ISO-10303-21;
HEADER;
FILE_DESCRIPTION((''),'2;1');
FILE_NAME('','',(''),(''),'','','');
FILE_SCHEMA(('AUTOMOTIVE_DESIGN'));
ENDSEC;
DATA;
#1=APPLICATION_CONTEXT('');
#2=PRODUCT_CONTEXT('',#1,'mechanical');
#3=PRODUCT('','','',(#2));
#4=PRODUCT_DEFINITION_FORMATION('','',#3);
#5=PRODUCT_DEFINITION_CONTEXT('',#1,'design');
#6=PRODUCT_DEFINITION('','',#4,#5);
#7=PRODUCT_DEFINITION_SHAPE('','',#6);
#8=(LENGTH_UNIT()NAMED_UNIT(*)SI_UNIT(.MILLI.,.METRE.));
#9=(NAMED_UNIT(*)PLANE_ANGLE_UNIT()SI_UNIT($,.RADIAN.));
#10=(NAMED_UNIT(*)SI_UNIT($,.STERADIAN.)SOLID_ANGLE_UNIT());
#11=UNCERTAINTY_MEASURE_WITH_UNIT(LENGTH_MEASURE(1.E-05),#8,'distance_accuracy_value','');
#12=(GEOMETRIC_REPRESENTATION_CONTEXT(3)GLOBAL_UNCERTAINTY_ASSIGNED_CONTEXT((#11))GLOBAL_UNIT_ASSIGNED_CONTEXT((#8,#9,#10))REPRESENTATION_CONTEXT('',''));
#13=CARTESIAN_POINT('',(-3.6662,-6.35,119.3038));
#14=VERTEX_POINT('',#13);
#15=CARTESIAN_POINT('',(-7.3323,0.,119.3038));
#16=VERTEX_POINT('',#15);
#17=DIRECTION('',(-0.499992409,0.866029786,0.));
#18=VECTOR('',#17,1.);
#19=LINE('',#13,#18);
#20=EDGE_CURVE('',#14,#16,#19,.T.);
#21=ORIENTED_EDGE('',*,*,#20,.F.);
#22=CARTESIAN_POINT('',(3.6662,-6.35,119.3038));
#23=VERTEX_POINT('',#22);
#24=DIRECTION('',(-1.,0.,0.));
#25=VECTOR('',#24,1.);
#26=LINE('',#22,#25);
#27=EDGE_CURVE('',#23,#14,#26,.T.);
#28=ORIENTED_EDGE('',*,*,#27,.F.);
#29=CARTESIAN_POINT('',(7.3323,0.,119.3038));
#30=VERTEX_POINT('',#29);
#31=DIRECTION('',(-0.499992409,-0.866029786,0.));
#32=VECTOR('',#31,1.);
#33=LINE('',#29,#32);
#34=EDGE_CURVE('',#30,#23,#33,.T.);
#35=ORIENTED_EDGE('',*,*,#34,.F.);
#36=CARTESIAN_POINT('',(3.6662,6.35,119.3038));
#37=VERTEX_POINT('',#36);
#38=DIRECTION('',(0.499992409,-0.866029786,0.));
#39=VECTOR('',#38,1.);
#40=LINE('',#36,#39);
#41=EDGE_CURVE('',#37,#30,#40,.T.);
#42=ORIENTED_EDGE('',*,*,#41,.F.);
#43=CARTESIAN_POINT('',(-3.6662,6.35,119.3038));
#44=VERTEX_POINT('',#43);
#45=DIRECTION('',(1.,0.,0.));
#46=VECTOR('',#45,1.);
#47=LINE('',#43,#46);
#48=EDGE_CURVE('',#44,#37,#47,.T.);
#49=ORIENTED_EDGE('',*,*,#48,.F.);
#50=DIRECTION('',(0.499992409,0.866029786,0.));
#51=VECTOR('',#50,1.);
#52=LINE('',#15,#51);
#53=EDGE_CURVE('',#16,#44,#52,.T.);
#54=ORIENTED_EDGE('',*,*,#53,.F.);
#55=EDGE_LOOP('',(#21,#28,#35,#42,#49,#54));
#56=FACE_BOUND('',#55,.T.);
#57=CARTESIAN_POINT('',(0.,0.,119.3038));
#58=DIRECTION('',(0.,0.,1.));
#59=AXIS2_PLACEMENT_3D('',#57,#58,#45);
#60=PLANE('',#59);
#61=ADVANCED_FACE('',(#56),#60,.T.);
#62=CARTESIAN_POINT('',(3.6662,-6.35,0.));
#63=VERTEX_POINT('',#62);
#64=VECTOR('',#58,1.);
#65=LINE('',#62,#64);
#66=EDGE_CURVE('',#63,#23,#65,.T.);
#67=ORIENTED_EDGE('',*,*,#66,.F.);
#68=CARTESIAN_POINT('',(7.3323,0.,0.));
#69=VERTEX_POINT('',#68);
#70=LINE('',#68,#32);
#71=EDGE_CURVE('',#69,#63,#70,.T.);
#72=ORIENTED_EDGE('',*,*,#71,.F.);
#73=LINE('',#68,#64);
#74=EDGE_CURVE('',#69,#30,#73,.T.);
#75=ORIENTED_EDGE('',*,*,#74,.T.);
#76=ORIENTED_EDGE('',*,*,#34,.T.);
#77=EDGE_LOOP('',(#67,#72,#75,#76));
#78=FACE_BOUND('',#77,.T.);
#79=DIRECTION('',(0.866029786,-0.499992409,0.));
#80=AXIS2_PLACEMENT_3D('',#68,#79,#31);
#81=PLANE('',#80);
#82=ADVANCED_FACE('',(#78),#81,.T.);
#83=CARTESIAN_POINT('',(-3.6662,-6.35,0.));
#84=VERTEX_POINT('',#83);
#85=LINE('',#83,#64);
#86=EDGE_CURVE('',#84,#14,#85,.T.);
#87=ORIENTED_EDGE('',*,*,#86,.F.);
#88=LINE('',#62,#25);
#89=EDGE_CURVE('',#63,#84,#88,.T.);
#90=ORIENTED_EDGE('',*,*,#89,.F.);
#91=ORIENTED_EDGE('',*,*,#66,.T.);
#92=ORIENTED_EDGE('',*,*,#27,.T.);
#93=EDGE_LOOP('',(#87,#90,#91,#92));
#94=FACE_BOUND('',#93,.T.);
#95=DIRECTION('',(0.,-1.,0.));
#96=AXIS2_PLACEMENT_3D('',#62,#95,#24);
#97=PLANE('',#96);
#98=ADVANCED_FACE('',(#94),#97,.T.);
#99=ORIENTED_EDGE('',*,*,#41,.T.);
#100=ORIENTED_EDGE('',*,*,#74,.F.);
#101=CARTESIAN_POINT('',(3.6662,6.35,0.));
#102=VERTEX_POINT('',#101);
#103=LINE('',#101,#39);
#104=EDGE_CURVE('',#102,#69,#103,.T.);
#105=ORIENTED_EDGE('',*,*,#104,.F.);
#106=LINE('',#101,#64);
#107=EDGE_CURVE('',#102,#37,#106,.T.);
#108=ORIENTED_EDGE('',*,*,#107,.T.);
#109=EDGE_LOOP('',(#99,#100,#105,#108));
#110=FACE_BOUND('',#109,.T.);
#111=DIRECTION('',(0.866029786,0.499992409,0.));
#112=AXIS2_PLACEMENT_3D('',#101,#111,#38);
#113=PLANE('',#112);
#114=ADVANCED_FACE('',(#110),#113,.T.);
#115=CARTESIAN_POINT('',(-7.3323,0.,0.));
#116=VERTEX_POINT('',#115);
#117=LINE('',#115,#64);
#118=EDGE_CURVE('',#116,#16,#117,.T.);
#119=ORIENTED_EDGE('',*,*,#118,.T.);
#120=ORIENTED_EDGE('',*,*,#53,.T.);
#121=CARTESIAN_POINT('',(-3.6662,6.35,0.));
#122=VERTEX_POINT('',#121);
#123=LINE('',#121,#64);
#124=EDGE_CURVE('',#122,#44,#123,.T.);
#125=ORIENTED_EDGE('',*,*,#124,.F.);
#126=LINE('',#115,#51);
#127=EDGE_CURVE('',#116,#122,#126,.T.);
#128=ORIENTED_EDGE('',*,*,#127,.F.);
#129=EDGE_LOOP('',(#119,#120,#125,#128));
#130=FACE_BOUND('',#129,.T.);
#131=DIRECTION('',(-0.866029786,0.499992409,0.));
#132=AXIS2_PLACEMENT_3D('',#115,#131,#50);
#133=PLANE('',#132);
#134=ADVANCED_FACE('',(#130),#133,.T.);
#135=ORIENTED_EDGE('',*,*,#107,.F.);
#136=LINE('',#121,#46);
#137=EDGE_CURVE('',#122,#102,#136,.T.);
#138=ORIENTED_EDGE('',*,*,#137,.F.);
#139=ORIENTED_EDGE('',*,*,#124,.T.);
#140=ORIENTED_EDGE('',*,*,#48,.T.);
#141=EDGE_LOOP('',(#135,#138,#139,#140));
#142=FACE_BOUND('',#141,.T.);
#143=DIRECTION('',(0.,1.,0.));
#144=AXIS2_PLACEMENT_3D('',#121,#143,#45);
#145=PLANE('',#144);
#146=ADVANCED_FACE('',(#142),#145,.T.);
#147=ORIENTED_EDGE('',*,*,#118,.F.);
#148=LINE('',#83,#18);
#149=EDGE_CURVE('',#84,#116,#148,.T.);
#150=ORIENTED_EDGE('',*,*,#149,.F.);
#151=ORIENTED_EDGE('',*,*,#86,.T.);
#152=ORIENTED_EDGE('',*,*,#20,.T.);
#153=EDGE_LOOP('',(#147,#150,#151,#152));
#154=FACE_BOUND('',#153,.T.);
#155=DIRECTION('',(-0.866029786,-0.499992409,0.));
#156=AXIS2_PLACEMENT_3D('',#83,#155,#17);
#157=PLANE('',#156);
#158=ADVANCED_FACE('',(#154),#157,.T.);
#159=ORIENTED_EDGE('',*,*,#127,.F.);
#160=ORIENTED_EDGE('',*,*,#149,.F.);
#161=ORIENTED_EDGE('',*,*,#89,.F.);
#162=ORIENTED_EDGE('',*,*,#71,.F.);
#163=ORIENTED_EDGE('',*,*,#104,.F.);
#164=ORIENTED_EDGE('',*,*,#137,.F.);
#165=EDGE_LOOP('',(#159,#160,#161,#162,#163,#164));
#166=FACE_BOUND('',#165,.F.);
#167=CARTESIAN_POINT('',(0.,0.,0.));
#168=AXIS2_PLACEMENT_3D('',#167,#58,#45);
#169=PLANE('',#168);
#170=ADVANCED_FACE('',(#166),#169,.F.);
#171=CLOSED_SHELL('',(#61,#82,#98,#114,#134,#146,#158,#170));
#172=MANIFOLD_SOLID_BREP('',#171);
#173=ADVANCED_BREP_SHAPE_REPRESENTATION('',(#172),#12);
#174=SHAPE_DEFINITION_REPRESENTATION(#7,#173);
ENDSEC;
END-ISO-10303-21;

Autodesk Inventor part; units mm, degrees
ref_plane "YZ Plane" through (0, 0, 0) normal (1, 0, 0) x (0, 1, 0)
ref_plane "XZ Plane" through (0, 0, 0) normal (0, 1, 0) x (-1, 0, 0)
ref_plane "XY Plane" through (0, 0, 0) normal (0, 0, 1) x (1, 0, 0)
sketch "Sketch1" plane through (0, 0, 0) normal (0, 0, 1) x (1, 0, 0)
  line L0 (7.3323, 0) -> (3.6662, -6.35)
  line L1 (3.6662, -6.35) -> (-3.6662, -6.35)
  line L2 (-3.6662, -6.35) -> (-7.3323, 0)
  line L3 (-7.3323, 0) -> (-3.6662, 6.35)
  line L4 (-3.6662, 6.35) -> (3.6662, 6.35)
  line L5 (3.6662, 6.35) -> (7.3323, 0)
  point P0 (0, 0)
  point P1 (0, 0)
  dimension "d0" = 12.7
extrude "Extrusion1" add sketch "Sketch1" along normal blind 119.3038
properties part number "4.458 Hex Shaft"
